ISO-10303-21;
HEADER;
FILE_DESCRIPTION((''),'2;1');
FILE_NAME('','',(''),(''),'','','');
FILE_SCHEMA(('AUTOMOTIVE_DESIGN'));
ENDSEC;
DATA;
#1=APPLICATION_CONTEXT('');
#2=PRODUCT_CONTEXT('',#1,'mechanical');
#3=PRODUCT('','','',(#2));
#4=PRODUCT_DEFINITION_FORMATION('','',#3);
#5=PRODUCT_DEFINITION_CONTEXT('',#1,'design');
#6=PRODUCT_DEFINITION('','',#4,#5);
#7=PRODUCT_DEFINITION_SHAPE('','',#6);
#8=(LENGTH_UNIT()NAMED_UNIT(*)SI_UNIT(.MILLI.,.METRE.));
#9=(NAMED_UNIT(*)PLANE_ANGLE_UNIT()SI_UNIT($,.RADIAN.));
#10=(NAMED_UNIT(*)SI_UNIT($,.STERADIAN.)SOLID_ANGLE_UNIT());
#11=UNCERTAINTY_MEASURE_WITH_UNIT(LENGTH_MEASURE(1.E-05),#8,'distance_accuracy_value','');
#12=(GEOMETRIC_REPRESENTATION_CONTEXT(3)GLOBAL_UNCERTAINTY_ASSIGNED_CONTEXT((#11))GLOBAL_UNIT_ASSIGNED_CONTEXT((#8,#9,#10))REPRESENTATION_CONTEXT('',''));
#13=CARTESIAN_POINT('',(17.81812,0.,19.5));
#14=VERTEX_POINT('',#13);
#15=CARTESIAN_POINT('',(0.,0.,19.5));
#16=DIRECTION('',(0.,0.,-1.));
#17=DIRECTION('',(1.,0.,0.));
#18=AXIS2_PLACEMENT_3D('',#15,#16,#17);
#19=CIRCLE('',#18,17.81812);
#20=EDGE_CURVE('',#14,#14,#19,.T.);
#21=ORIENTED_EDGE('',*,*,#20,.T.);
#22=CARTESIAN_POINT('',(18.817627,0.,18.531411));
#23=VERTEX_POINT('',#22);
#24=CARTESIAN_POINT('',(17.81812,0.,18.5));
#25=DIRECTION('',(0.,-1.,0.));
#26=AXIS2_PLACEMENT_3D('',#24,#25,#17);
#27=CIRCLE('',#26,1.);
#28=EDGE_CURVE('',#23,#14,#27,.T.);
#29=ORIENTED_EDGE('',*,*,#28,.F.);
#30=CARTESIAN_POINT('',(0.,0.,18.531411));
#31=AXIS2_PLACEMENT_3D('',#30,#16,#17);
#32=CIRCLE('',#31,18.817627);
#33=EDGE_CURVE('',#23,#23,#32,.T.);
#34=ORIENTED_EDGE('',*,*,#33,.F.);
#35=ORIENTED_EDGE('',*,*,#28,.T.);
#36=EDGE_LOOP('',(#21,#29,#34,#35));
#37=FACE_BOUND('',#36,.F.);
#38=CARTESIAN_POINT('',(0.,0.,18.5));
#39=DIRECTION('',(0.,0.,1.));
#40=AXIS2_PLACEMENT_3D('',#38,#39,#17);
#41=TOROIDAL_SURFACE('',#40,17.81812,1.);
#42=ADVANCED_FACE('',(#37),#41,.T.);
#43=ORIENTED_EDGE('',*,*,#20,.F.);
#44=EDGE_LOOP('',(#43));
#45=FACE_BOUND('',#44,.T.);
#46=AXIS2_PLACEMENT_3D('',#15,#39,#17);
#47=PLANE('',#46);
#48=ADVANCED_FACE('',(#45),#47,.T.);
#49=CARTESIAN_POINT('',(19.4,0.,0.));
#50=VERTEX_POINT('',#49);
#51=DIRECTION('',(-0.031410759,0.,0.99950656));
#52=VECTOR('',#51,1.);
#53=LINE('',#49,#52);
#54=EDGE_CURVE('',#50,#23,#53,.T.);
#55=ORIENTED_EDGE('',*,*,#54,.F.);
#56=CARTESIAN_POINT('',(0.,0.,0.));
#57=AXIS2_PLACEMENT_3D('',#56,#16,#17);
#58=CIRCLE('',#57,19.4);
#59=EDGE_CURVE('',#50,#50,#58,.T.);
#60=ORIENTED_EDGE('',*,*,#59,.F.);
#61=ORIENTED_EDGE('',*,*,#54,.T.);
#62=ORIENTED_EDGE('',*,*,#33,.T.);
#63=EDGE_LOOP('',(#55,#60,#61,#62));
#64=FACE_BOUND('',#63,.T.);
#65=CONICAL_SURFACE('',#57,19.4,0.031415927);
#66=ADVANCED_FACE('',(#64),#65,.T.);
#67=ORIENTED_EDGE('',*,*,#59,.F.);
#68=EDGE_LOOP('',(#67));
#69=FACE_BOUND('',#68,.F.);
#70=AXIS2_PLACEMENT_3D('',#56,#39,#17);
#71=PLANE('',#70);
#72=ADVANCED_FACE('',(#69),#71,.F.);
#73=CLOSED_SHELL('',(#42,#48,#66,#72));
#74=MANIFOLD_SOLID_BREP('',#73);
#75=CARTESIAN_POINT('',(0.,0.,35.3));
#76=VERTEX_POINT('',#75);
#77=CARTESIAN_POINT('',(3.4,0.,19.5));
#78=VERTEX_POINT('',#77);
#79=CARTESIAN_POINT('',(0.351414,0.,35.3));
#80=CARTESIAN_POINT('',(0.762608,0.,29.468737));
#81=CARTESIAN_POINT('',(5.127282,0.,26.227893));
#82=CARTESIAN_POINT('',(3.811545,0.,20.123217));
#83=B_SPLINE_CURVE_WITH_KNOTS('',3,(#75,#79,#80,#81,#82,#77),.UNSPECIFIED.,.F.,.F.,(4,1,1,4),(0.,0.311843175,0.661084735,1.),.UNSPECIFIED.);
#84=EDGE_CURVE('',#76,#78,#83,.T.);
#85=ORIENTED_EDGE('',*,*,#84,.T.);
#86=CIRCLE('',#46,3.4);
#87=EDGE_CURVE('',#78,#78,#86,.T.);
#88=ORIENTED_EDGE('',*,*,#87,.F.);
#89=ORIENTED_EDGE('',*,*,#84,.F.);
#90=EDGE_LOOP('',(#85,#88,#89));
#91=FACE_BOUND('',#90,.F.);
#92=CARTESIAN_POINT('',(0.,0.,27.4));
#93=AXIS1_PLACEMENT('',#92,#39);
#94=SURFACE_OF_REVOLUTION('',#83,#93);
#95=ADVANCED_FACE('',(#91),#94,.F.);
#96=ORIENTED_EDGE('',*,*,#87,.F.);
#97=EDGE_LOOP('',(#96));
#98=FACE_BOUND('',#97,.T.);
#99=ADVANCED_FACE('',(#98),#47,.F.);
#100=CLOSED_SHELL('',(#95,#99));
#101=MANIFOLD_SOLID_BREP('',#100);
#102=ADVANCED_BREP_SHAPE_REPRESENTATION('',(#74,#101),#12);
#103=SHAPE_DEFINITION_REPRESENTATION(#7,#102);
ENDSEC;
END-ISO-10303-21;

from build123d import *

# Parameters (mm, degrees)
F0_R     = 19.4
F1_DEPTH = 19.5
F1_TAPER = 1.8
F2_R     = 1


with BuildPart() as f1:
    # F0 (on Top) → F1 (new body)
    with BuildSketch(Plane.XY):
        Circle(F0_R)
    extrude(amount=F1_DEPTH, taper=F1_TAPER)

    # F2
    f2_edges = [f1.edges().sort_by_distance(p)[0] for p in [
        (-18.787188, 0, 19.5),
    ]]
    fillet(f2_edges, radius=F2_R)


with BuildPart() as f4:
    # F3 (on Front) → F4 (revolve)
    with BuildSketch(Plane.XZ):
        with BuildLine():
            Line((0, 35.3), (0, 19.5))
            Line((0, 19.5), (3.4, 19.5))
            add(Edge.make_bspline(
                [(0, 35.3), (0.3514138506, 35.3), (0.7626081453, 29.46873678), (5.1272824874, 26.2278929629), (3.8115450167, 20.1232167091), (3.4, 19.5)],
                knots=[0, 0, 0, 0, 0.3118431753, 0.6610847354, 1, 1, 1, 1], degree=3))
        make_face()
    revolve(axis=Axis((0, 0, 27.4), (0, 0, 1)))


solid = Compound([f1.part, f4.part])
